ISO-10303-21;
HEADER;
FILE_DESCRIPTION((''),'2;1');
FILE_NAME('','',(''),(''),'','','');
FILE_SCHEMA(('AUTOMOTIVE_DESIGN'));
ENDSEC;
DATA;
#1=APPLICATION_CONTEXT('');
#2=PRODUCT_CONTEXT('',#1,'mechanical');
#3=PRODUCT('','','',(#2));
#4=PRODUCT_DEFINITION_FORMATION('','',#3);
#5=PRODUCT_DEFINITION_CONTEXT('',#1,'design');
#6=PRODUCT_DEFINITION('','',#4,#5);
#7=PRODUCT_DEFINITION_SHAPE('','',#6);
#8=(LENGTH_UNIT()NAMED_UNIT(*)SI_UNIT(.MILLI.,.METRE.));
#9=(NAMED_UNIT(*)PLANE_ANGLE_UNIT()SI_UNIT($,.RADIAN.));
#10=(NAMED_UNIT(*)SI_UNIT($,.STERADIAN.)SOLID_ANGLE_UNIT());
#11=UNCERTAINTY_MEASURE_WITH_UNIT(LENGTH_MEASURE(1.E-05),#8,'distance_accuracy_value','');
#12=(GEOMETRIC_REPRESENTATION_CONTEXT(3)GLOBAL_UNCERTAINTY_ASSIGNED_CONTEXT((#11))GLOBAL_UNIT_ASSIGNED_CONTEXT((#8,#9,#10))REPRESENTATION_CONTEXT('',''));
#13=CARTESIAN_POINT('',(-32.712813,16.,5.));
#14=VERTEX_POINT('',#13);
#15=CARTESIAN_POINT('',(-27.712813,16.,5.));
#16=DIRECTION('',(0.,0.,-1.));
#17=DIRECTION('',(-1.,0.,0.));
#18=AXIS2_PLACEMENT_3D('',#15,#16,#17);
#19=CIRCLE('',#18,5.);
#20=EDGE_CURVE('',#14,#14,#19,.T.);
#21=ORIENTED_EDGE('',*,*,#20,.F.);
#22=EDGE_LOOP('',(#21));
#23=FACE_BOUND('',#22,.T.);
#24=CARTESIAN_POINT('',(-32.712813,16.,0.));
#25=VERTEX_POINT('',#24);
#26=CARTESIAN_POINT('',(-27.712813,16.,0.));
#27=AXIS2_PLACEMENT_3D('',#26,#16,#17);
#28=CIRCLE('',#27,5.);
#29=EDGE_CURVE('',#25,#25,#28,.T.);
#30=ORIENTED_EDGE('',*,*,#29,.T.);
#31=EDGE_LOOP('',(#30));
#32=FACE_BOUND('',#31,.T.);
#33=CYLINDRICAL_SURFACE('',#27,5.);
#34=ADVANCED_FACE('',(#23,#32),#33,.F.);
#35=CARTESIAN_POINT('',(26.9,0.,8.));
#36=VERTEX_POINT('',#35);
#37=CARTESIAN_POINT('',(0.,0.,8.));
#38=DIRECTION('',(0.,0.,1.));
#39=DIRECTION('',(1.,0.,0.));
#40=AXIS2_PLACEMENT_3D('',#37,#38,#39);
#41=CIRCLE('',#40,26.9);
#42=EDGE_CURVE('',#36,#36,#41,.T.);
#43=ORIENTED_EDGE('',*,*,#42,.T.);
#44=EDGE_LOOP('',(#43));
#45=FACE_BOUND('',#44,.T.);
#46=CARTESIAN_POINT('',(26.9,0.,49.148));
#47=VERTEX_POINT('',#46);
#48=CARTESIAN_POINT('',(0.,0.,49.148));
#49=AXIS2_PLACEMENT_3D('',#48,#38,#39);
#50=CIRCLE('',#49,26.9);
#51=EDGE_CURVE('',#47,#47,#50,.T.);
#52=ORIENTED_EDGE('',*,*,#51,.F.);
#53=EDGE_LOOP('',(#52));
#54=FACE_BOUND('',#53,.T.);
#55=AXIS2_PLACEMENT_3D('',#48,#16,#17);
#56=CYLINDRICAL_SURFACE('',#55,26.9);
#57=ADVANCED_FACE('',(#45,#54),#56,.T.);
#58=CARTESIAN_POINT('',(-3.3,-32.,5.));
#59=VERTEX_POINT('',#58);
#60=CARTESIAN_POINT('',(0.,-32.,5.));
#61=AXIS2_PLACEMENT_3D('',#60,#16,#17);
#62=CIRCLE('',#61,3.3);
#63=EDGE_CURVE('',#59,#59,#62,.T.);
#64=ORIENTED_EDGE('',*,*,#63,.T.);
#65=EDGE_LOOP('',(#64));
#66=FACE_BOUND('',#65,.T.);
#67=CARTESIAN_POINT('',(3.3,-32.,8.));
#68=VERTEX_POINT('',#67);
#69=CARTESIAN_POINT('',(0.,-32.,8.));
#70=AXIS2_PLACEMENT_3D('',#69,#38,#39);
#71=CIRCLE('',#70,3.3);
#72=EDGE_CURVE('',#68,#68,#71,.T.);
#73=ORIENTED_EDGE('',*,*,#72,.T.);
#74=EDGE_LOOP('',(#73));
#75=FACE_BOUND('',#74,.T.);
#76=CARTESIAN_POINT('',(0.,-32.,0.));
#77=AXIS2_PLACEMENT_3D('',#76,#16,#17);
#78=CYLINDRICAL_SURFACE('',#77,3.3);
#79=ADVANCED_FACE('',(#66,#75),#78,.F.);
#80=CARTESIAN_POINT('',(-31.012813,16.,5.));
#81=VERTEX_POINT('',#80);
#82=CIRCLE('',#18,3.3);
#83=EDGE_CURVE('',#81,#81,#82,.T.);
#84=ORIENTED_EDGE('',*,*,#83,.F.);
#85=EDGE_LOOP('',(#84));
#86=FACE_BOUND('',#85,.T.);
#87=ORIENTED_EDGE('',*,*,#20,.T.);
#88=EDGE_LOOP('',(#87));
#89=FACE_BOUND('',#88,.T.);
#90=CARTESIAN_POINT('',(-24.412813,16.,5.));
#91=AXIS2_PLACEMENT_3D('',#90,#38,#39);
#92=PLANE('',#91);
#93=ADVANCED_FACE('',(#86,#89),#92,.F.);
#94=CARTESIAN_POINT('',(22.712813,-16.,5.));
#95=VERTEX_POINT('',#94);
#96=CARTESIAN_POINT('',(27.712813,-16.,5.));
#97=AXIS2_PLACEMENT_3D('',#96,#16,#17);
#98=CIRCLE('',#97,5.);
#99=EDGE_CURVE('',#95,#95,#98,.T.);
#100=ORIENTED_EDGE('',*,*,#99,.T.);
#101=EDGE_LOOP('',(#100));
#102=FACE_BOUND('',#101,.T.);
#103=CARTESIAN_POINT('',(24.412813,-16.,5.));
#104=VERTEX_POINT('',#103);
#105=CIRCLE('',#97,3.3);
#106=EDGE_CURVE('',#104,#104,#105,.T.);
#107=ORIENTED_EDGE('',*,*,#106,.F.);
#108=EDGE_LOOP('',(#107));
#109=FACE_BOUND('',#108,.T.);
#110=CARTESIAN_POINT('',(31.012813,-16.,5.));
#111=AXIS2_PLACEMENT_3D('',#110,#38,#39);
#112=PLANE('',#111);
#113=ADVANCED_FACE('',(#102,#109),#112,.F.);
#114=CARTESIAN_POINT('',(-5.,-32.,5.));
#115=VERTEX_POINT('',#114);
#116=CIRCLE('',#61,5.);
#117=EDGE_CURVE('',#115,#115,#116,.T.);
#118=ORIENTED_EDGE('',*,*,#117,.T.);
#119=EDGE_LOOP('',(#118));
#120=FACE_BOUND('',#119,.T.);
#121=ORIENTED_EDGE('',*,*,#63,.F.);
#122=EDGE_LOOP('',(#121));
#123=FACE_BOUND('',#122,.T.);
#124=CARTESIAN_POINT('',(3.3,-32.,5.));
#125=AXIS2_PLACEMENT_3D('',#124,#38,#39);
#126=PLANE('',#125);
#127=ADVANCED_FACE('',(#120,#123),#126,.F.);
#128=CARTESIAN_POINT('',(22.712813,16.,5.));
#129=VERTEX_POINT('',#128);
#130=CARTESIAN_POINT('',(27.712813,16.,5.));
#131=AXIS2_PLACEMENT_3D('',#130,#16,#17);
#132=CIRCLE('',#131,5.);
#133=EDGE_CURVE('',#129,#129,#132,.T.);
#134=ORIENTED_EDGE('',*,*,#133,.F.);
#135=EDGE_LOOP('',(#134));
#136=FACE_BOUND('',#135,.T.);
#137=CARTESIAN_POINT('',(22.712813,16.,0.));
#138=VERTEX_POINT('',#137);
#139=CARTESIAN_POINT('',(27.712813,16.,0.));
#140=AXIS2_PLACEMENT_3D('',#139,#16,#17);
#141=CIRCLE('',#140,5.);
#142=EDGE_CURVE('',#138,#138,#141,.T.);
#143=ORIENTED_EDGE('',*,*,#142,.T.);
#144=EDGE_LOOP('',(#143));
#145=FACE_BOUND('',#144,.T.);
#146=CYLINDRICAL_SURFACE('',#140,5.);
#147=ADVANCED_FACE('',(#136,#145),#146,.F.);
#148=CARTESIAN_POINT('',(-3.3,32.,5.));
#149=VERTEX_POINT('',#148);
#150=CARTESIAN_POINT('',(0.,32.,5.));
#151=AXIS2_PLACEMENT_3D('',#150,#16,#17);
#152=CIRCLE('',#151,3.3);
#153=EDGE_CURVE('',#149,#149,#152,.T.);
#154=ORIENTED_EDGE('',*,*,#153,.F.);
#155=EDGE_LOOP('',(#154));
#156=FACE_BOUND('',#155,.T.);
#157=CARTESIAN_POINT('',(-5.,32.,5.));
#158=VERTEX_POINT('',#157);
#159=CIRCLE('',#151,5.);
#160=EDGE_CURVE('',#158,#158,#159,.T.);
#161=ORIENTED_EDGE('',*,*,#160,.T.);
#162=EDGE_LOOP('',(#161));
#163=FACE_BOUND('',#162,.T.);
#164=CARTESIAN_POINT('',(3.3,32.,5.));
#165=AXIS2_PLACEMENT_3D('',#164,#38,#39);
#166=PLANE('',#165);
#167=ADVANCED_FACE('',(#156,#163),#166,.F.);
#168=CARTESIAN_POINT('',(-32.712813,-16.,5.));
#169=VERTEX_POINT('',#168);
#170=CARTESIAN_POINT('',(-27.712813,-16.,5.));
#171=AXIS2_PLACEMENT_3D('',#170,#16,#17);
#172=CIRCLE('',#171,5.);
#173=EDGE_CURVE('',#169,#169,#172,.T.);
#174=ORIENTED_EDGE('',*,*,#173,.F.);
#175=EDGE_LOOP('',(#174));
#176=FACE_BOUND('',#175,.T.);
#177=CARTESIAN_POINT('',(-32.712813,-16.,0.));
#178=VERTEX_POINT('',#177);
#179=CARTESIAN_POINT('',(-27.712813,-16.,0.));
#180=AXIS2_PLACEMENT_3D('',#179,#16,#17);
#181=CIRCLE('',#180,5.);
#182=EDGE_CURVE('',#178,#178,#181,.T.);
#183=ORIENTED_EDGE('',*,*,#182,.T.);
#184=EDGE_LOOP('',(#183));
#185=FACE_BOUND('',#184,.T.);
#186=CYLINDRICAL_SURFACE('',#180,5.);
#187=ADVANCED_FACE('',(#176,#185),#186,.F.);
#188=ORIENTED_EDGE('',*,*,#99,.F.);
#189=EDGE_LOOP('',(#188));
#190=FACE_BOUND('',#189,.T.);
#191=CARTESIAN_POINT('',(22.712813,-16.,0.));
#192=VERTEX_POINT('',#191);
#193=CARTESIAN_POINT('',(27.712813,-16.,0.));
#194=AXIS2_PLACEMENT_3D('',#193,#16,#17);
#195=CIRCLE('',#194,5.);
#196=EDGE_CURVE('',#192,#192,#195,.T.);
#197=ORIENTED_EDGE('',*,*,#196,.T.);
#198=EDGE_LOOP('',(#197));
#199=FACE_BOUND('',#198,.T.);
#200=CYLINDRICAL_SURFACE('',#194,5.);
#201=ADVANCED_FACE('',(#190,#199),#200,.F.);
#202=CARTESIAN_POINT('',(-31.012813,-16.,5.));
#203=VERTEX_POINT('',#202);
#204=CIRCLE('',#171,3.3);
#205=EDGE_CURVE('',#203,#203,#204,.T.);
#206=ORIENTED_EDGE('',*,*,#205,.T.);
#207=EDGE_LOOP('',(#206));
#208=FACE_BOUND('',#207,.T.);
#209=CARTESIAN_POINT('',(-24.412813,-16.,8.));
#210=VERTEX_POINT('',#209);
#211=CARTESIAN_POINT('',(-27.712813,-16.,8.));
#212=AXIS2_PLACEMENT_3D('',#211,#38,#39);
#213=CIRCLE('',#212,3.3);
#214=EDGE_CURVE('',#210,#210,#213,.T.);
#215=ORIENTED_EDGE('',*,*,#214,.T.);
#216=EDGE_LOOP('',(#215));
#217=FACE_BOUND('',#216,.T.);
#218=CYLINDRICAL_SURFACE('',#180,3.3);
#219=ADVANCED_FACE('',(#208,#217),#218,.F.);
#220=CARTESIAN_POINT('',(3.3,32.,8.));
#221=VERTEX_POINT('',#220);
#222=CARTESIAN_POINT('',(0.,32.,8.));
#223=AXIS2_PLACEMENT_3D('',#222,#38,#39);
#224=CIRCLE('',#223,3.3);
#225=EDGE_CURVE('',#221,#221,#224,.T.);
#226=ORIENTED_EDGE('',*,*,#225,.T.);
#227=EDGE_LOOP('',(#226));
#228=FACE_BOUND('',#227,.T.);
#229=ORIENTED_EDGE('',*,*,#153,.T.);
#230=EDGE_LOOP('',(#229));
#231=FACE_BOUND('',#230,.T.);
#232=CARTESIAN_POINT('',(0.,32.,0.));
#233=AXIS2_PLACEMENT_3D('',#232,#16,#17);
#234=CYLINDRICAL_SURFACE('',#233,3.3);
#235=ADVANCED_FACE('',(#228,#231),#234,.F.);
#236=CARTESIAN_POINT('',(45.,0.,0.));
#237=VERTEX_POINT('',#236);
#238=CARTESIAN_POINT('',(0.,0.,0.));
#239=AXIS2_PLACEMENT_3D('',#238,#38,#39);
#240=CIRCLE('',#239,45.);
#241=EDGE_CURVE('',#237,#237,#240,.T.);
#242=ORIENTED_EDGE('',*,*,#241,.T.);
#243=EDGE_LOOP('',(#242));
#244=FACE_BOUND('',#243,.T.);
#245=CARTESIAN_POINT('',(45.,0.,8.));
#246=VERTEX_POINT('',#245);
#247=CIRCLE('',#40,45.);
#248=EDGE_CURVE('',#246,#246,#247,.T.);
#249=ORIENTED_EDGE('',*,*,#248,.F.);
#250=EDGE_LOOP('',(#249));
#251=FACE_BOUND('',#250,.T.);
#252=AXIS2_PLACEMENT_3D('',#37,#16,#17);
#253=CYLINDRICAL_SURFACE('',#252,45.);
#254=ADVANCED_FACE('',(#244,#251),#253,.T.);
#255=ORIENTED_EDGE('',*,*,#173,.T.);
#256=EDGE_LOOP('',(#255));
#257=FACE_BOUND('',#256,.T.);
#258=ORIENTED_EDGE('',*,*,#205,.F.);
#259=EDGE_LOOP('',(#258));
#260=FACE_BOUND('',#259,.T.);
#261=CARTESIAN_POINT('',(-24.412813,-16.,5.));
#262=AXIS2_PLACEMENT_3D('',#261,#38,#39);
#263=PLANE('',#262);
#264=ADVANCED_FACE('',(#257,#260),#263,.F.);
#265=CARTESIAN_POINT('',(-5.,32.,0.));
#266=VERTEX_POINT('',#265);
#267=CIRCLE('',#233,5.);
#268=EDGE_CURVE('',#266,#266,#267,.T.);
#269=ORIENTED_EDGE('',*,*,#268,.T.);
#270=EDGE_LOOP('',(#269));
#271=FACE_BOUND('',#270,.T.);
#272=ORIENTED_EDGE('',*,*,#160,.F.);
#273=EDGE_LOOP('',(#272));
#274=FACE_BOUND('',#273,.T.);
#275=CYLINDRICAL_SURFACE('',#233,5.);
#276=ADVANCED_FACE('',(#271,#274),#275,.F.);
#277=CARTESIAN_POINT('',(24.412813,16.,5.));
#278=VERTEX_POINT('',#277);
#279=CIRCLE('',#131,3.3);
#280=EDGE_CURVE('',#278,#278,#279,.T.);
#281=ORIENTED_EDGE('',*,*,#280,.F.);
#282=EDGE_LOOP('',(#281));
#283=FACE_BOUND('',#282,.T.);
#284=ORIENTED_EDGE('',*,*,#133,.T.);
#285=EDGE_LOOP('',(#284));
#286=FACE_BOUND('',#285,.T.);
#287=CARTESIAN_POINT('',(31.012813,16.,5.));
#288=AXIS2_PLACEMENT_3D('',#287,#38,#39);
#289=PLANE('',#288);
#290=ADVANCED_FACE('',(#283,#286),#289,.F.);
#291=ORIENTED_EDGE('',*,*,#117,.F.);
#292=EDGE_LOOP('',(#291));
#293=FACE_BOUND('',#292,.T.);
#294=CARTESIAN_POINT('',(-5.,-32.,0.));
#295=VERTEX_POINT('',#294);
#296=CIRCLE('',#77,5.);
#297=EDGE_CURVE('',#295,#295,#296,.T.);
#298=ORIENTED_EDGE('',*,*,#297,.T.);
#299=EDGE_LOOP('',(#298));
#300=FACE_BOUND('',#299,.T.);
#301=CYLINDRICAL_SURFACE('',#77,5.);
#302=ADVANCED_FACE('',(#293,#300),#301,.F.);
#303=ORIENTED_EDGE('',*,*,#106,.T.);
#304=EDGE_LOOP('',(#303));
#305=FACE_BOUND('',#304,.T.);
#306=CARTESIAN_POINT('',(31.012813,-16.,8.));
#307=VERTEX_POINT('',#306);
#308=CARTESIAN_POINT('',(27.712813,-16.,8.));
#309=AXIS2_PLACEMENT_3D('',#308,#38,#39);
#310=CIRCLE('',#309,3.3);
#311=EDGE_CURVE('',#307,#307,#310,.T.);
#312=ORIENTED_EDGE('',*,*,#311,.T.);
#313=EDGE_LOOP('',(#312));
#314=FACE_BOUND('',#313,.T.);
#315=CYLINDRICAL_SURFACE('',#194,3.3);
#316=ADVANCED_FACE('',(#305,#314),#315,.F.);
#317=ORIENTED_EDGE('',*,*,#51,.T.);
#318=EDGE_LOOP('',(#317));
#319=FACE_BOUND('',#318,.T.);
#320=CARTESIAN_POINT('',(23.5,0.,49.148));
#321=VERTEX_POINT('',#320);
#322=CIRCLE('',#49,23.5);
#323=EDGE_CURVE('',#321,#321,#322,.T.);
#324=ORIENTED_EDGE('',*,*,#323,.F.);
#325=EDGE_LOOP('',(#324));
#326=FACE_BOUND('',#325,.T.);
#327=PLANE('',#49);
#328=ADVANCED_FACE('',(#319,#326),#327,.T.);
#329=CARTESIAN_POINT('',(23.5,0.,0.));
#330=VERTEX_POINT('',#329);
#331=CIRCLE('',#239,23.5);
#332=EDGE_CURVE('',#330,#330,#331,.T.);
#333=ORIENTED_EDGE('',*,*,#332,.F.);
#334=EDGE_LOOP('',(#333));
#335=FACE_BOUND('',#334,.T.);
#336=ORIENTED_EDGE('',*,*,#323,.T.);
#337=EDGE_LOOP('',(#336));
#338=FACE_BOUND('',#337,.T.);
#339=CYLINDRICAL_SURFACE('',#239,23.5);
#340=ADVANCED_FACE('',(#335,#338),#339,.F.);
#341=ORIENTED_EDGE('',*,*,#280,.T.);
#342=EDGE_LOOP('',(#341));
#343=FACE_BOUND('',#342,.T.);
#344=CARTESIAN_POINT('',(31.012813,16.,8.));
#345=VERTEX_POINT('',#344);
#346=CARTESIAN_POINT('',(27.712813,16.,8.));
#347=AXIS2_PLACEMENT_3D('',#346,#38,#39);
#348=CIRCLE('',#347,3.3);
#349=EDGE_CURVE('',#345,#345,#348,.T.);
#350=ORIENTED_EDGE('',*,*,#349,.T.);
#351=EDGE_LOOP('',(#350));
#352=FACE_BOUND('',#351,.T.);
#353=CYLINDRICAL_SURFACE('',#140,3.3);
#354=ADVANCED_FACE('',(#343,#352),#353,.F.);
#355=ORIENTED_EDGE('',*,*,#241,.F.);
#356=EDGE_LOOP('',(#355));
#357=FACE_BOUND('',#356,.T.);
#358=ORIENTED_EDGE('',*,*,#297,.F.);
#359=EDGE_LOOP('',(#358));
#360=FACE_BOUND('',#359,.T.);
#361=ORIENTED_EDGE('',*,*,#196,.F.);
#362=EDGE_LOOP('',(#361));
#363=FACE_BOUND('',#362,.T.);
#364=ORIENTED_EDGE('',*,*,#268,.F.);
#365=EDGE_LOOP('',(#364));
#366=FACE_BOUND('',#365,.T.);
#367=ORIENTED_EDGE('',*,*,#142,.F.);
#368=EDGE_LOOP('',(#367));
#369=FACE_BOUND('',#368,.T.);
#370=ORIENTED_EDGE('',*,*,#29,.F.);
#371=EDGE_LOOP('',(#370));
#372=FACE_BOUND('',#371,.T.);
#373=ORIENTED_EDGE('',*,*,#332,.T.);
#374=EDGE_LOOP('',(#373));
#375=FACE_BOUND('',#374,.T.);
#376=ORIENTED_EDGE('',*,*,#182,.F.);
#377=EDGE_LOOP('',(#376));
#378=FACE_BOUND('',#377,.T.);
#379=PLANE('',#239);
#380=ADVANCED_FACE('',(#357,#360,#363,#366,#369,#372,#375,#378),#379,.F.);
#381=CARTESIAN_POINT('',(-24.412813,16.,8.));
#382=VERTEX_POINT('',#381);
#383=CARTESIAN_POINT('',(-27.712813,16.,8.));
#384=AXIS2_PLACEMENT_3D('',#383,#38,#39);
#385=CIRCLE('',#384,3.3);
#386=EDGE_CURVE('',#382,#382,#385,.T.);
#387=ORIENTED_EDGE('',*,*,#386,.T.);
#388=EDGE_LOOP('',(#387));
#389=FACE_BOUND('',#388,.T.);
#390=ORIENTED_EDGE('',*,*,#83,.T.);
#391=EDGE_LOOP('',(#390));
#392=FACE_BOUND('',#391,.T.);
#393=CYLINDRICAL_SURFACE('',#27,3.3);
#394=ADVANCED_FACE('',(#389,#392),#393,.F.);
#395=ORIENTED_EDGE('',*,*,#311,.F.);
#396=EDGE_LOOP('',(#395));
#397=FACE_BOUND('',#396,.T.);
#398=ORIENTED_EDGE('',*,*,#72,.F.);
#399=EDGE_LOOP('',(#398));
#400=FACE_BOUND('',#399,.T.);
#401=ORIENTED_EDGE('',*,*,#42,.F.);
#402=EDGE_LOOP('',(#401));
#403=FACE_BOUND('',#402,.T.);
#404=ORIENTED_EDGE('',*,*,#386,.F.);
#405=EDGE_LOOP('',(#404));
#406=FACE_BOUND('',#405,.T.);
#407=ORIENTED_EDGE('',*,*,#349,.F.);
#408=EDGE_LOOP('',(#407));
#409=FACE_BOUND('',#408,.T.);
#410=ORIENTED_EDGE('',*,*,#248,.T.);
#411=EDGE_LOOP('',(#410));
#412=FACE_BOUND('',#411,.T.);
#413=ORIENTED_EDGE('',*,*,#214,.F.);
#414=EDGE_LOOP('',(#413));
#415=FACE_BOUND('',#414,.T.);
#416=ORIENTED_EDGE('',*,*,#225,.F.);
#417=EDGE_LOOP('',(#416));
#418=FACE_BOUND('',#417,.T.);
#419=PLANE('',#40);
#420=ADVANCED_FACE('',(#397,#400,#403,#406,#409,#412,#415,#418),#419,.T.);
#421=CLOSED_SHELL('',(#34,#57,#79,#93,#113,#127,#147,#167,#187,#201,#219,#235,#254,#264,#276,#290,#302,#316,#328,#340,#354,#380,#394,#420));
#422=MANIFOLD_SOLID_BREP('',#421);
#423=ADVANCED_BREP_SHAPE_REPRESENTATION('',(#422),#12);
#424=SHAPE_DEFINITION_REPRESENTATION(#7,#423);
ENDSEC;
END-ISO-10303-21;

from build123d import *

# Parameters (mm, degrees)
SKETCH2_R                               = 45
BOSS_EXTRUDE1_DEPTH                     = 8
SKETCH5_R                               = 23.5
CUT_EXTRUDE1_DEPTH                      = 9
SKETCH6_R                               = 26.9
BOSS_EXTRUDE2_DEPTH                     = 41.148
SKETCH7_R                               = 23.5
CUT_EXTRUDE3_DEPTH                      = 50.148
CBORE_FOR_M8_HEX_HEAD_BOLT1_D           = 6.6
CBORE_FOR_M8_HEX_HEAD_BOLT1_CBORE_D     = 10
CBORE_FOR_M8_HEX_HEAD_BOLT1_CBORE_DEPTH = 5
CIRPATTERN1_COUNT                       = 6


with BuildPart() as part:
    # Sketch2 → Boss-Extrude1 (new body)
    with BuildSketch(Plane.XY):
        Circle(SKETCH2_R)
    extrude(amount=BOSS_EXTRUDE1_DEPTH)

    # Sketch5 → Cut-Extrude1 (cut, through all)
    with BuildSketch(Plane.XY.offset(8)):
        Circle(SKETCH5_R)
    extrude(amount=-CUT_EXTRUDE1_DEPTH, mode=Mode.SUBTRACT)

    # Sketch6 → Boss-Extrude2 (add)
    with BuildSketch(Plane.XY.offset(8)):
        Circle(SKETCH6_R)
    extrude(amount=BOSS_EXTRUDE2_DEPTH)

    # Sketch7 → Cut-Extrude3 (cut, through all)
    with BuildSketch(Plane.XY.offset(49.148)):
        Circle(SKETCH7_R)
    extrude(amount=-CUT_EXTRUDE3_DEPTH, mode=Mode.SUBTRACT)

    # CBORE for M8 Hex Head Bolt1 (through all)
    with Locations(Plane(origin=(0, 32, 0), x_dir=(-1, 0, 0), z_dir=(0, 0, -1))):
        with Locations((0, 0)):
            cbore_for_m8_hex_head_bolt1 = CounterBoreHole(CBORE_FOR_M8_HEX_HEAD_BOLT1_D / 2, CBORE_FOR_M8_HEX_HEAD_BOLT1_CBORE_D / 2, CBORE_FOR_M8_HEX_HEAD_BOLT1_CBORE_DEPTH)

    # CirPattern1: CBORE for M8 Hex Head Bolt1 ×6 about axis
    cirpattern1_axis = Axis((0, 0, 0), (0, 0, 1))
    for i in range(1, CIRPATTERN1_COUNT):
        add(cbore_for_m8_hex_head_bolt1.rotate(cirpattern1_axis, i * 360 / CIRPATTERN1_COUNT), mode=Mode.SUBTRACT)


solid = part.part
